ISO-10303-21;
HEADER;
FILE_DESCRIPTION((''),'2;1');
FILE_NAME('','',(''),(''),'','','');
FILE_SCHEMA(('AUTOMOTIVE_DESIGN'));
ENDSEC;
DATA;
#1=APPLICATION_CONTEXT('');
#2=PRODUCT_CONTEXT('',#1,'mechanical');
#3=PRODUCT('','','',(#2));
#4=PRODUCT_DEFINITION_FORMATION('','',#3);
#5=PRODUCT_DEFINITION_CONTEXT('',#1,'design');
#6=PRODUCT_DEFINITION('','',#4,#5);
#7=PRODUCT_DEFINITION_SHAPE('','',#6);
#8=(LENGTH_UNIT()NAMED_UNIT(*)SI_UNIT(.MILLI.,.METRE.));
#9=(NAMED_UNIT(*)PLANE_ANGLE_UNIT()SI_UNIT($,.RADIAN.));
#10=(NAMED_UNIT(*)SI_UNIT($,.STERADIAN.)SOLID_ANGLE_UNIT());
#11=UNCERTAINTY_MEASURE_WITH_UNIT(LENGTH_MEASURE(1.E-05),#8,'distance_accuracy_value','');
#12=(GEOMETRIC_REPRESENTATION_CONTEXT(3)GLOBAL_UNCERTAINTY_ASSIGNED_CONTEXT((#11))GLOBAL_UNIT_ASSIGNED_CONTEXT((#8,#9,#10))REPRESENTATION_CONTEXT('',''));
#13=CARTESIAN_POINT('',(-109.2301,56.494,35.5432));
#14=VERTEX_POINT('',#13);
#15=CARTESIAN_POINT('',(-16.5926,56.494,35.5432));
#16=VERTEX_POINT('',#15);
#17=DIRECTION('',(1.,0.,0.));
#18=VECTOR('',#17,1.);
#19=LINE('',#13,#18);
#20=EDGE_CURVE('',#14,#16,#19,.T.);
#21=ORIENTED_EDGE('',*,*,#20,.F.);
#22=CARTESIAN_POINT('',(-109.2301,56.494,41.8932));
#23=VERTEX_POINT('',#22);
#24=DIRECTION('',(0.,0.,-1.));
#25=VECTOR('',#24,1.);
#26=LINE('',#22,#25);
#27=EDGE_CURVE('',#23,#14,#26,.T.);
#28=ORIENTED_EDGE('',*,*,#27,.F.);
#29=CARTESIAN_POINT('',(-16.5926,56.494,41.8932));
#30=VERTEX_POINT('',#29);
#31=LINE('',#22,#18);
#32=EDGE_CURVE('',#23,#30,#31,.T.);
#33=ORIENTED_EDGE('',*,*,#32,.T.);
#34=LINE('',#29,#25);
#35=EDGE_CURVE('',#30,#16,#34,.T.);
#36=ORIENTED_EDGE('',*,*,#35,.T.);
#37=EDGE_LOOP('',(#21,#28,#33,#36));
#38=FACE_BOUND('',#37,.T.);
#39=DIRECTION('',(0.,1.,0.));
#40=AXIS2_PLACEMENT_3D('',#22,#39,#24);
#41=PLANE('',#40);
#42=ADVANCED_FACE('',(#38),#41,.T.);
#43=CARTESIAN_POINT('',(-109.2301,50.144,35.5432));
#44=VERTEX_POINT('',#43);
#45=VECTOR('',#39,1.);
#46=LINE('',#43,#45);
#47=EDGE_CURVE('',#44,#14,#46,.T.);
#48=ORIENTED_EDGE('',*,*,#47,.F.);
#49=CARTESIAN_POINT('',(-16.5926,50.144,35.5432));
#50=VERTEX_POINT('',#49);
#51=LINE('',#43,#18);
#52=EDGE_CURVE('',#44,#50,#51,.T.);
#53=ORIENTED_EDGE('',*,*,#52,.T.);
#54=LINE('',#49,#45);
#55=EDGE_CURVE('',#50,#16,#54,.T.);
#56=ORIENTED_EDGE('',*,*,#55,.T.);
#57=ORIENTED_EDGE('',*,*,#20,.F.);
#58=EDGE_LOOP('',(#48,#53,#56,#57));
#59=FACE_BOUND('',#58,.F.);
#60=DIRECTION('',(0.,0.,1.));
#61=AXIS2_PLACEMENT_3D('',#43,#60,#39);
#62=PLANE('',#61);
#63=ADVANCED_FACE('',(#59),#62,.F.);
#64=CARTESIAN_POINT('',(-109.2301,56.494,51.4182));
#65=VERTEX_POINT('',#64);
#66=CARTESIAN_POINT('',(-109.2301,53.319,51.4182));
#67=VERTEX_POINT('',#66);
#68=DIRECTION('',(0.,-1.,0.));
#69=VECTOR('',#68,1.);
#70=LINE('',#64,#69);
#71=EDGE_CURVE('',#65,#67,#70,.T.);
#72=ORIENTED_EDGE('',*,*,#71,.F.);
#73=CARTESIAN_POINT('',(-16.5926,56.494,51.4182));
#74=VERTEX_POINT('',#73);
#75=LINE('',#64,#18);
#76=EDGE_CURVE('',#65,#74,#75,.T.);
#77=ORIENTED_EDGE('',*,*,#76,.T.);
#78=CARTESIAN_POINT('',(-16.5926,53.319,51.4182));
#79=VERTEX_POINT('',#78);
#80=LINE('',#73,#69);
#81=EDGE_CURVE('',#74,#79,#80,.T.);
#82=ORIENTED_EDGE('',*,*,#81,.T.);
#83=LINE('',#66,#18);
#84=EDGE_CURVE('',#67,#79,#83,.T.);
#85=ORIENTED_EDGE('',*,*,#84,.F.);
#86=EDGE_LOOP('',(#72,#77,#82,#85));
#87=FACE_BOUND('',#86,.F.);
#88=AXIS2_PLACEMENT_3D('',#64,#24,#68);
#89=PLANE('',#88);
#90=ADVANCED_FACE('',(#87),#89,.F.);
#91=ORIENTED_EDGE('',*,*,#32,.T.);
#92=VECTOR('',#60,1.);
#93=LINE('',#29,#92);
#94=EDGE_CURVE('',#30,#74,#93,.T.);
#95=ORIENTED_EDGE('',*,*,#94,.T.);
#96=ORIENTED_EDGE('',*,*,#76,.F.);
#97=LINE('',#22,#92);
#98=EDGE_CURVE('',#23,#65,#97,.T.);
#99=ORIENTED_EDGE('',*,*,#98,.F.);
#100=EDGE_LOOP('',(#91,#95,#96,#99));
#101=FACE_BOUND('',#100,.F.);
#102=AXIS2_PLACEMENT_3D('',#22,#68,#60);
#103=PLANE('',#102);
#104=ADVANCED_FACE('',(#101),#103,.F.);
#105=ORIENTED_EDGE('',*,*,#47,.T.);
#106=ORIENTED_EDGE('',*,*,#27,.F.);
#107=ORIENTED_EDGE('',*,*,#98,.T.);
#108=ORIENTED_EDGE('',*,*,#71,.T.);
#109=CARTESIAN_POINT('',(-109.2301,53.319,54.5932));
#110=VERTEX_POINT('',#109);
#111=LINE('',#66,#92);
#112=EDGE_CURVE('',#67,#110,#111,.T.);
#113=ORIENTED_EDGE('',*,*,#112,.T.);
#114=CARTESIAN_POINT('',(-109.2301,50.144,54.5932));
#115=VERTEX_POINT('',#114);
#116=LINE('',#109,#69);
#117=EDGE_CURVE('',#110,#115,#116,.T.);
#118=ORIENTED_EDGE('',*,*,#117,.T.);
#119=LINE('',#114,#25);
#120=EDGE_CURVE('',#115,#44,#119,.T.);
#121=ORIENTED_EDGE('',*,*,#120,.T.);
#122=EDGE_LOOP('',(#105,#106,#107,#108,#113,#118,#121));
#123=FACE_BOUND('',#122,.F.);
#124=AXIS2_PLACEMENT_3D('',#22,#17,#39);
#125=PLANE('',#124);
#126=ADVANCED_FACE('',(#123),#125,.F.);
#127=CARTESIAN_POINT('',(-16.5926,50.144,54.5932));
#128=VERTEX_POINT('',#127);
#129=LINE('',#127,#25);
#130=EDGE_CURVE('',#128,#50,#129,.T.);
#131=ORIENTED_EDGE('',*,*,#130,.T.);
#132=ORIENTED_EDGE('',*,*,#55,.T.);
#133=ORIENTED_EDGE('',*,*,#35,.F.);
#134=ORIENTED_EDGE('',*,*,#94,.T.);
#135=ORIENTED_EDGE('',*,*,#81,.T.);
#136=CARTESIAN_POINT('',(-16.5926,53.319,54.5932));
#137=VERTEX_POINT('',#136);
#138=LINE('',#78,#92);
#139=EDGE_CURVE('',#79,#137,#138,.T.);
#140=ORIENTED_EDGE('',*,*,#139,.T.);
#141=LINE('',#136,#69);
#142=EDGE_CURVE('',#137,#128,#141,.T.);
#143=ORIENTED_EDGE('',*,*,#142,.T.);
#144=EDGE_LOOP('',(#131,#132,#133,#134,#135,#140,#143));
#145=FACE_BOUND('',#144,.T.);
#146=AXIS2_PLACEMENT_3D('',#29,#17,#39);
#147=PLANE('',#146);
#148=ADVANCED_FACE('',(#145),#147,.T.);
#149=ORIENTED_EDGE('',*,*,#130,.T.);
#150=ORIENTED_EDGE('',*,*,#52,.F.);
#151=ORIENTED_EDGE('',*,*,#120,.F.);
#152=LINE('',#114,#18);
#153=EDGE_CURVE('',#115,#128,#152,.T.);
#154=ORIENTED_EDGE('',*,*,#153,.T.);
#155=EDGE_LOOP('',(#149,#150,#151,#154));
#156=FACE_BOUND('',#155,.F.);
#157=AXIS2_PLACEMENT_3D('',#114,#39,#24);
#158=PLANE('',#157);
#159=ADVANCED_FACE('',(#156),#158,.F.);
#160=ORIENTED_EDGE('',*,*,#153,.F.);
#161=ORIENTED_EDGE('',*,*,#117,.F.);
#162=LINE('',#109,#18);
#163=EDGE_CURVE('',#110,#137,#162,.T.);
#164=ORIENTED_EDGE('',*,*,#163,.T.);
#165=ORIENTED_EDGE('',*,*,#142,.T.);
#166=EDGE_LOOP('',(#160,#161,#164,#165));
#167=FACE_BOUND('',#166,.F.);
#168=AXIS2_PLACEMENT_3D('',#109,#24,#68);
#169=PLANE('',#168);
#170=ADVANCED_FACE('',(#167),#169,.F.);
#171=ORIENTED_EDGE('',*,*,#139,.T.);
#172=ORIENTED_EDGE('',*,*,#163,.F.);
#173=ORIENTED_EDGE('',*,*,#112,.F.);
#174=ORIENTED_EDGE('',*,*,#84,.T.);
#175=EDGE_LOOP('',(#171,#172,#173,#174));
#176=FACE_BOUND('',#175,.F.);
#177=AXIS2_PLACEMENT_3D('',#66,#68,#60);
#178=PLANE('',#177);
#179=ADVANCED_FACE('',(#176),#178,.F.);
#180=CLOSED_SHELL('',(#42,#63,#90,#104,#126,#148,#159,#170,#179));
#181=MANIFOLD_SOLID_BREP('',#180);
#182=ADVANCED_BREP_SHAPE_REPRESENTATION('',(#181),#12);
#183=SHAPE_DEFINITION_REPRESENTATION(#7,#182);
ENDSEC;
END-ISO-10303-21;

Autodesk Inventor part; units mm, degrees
ref_plane "YZ Plane" through (0, 0, 0) normal (1, 0, 0) x (0, 1, 0)
ref_plane "XZ Plane" through (0, 0, 0) normal (0, 1, 0) x (-1, 0, 0)
ref_plane "Work Plane1" through (-109.2301, 56.494, 41.8932) normal (1, 0, 0) x (0, 1, 0)
sketch "Sketch1" plane through (-109.2301, 56.494, 41.8932) normal (1, 0, 0) x (0, 1, 0)
  line L0 (6.35, 0) -> (6.35, -6.35) projected
  line L1 (6.35, 0) -> (0, 0) projected
  line L2 (0, 0) -> (0, 9.525) projected
  line L3 (0, 9.525) -> (-3.175, 9.525) projected
  line L4 (-3.175, 9.525) -> (-3.175, 12.7) projected
  line L5 (-3.175, 12.7) -> (-6.35, 12.7) projected
  line L6 (-6.35, 12.7) -> (-6.35, -6.35) projected
  line L7 (-6.35, -6.35) -> (6.35, -6.35) projected
  line L8 (0, -6.35) -> (76.8547, -6.35) projected
  line L9 (76.8547, 0) -> (76.8547, -6.35) projected
  line L10 (76.8547, 0) -> (0, 0) projected
  line L11 (0, 0) -> (0, -6.35) projected
  point P0 (-56.494, -41.8932)
ref_plane "Work Plane2" through (-16.5927, 50.144, 35.5432) normal (-1, 0, 0) x (0, 0, 1)
extrude "Extrusion1" add sketch "Sketch1" along normal up to surface (92.6375 mm away) contours L11 L7 L6 L5 L4 L3 L2
properties part number "New Bot"
